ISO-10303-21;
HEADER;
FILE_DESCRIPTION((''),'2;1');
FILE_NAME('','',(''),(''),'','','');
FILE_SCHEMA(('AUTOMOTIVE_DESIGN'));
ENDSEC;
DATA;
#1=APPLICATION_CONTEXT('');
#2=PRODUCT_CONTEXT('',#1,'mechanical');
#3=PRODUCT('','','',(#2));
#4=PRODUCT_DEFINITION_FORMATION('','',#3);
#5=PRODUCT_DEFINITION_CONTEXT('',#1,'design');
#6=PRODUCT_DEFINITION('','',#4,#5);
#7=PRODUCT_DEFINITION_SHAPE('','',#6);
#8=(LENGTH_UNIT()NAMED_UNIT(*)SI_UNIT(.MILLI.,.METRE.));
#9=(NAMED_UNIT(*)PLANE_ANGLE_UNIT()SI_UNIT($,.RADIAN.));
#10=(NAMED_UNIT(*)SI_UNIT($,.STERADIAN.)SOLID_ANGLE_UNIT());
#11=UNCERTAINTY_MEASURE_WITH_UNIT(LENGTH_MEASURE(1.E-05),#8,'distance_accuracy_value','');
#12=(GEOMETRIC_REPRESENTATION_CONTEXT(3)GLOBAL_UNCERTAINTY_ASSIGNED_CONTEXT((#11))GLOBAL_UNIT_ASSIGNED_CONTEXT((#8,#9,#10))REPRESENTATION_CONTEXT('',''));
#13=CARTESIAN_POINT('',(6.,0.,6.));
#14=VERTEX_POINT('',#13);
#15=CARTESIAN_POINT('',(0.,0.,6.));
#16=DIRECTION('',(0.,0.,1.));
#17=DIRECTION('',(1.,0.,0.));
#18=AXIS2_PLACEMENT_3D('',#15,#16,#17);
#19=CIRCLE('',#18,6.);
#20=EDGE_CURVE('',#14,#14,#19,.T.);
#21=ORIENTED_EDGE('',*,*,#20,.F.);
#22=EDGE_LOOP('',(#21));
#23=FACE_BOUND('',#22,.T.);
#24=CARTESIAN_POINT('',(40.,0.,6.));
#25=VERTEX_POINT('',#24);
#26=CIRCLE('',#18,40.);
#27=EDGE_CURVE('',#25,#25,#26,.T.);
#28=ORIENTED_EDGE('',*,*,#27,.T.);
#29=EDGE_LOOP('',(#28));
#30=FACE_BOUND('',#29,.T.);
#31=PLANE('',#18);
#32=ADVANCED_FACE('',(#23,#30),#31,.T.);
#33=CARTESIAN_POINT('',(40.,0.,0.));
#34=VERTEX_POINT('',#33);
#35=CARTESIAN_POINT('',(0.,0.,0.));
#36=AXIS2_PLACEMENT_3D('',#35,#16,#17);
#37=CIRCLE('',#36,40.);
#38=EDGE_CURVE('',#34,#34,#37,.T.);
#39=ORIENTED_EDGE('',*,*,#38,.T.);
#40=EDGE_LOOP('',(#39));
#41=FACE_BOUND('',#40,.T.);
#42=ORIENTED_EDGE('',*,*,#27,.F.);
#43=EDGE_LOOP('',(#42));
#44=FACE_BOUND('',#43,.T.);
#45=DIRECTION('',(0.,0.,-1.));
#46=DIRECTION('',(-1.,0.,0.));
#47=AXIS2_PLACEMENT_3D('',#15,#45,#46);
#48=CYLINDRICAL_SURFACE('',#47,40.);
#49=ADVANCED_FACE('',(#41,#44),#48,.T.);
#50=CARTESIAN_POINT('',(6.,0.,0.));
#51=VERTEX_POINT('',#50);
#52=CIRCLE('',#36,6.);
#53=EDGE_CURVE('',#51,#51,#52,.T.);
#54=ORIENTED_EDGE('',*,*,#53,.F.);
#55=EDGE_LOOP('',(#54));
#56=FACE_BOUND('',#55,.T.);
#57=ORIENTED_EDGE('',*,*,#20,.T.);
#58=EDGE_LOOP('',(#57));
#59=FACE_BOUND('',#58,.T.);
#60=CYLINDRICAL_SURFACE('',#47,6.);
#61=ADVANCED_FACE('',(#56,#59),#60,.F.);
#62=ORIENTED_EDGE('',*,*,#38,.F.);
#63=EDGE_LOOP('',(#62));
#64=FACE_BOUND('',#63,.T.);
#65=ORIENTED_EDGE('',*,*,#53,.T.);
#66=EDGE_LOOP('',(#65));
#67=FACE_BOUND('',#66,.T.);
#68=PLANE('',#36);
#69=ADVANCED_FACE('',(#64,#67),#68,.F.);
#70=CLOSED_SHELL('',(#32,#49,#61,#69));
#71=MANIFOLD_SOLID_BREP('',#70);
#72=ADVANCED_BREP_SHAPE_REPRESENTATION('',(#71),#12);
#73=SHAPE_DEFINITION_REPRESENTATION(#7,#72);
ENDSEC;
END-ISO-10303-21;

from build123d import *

# Parameters (mm, degrees)
SKETCH_1_R      = 40
SKETCH_1_R_2    = 6
EXTRUDE_1_DEPTH = 6


with BuildPart() as part:
    # 草图1 → 凸台-拉伸1 (new body)
    with BuildSketch(Plane.XY):
        Circle(SKETCH_1_R)
        Circle(SKETCH_1_R_2, mode=Mode.SUBTRACT)
    extrude(amount=EXTRUDE_1_DEPTH)


solid = part.part
